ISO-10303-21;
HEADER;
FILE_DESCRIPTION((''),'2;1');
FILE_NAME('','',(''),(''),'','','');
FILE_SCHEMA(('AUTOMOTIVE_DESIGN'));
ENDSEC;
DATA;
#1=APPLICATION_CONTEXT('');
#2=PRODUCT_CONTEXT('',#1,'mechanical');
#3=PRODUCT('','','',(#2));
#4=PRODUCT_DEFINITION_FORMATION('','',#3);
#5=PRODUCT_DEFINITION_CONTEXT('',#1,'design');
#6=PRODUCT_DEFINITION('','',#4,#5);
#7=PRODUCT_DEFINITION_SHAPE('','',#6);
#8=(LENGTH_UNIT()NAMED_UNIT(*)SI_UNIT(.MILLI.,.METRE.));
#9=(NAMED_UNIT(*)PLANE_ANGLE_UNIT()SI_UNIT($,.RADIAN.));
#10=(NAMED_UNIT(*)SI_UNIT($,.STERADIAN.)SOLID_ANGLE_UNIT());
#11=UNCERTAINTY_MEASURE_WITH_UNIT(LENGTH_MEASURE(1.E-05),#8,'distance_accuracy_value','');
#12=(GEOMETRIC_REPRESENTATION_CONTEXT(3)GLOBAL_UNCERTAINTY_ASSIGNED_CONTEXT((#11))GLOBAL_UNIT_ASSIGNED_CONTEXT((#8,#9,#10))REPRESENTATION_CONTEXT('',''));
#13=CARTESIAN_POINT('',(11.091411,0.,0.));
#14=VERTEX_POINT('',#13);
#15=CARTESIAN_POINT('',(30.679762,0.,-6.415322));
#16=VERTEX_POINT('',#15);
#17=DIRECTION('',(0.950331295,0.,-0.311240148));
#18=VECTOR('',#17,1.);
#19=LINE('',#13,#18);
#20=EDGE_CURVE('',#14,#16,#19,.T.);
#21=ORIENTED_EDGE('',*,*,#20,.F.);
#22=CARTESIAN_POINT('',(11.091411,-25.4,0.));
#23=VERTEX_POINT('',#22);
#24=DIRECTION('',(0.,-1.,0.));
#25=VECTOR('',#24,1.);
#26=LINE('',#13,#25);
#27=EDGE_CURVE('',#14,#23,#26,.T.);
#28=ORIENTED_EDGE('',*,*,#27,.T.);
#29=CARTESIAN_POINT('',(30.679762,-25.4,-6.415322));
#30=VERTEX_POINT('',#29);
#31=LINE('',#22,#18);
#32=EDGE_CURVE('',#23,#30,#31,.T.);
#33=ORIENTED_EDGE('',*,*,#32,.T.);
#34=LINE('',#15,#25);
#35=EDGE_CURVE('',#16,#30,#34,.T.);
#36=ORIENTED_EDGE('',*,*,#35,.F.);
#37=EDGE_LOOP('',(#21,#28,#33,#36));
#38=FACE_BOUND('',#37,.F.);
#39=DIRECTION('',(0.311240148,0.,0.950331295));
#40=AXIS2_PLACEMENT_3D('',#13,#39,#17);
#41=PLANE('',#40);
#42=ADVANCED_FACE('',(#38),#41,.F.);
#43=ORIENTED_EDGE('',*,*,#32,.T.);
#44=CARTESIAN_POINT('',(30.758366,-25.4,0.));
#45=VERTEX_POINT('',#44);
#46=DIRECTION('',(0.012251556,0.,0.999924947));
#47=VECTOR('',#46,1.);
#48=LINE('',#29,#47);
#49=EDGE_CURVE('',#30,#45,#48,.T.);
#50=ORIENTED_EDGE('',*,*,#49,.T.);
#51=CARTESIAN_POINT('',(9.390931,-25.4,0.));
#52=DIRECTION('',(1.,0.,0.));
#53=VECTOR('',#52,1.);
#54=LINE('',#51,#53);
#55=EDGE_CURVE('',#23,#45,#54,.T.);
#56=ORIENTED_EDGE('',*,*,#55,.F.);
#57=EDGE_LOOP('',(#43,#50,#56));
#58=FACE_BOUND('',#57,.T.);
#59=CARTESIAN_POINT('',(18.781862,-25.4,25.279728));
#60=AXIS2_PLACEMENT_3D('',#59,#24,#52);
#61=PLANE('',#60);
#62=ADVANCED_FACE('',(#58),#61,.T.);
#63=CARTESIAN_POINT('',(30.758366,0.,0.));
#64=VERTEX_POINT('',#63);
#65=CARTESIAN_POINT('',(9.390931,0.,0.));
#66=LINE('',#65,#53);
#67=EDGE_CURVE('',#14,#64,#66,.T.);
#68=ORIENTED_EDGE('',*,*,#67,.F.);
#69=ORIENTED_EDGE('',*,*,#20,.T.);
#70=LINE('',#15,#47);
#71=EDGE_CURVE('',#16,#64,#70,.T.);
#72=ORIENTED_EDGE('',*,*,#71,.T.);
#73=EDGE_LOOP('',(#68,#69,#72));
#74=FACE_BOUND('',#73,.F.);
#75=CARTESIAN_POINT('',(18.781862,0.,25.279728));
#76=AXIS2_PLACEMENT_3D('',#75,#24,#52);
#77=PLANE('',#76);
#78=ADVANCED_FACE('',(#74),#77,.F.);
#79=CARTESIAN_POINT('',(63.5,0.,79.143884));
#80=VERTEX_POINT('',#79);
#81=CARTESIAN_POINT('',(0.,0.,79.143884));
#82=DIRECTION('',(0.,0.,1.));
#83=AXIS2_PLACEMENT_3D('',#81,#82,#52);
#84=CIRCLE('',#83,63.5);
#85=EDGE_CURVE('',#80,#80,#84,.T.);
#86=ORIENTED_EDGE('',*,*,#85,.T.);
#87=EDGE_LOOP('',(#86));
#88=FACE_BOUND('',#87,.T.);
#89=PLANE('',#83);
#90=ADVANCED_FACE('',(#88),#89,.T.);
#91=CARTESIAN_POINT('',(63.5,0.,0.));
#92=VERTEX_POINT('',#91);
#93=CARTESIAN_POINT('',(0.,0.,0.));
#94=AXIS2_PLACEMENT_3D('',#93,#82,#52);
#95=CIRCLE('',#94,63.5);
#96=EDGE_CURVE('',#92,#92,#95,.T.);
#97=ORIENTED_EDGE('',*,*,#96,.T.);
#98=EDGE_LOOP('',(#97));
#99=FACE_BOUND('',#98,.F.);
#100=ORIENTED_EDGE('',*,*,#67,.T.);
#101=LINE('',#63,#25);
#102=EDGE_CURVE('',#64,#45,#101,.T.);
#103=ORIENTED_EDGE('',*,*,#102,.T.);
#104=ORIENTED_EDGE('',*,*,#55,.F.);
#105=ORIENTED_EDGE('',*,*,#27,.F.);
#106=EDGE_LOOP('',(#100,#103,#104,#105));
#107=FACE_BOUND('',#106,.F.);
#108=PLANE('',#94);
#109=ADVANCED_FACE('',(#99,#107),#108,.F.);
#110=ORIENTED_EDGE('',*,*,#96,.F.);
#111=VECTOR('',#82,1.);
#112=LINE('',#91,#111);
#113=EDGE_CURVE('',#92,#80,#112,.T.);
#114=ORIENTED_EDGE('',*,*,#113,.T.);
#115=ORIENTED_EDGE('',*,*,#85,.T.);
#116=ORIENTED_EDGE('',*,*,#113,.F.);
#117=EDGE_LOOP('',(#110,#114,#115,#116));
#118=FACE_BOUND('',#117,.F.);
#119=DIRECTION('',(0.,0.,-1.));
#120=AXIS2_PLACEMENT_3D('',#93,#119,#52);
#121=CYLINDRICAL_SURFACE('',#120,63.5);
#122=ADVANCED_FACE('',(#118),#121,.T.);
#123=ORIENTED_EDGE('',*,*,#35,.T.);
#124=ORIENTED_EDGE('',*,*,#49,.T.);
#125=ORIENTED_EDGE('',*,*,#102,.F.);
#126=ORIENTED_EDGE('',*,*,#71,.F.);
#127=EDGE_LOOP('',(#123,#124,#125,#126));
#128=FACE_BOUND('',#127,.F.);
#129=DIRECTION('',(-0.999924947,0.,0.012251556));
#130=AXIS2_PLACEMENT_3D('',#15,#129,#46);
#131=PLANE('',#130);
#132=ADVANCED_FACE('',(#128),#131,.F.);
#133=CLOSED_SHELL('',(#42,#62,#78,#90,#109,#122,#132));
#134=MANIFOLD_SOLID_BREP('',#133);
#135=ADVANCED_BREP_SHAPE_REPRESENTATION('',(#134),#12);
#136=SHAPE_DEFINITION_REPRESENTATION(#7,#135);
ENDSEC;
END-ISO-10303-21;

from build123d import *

# Parameters (mm, degrees)
F0_R     = 63.5
F1_DEPTH = 79.143884
F3_DEPTH = 25.4


with BuildPart() as f1:
    # F0 (on Top) → F1 (new body)
    with BuildSketch(Plane.XY):
        Circle(F0_R)
    extrude(amount=F1_DEPTH)

    # F2 (on Front) → F3 (join)
    with BuildSketch(Plane.XZ):
        Polygon((31.393245, 51.816419), (0, 48.587725), (11.091411, 0), (30.679762, -6.415322), align=None)
    extrude(amount=F3_DEPTH)


solid = f1.part
